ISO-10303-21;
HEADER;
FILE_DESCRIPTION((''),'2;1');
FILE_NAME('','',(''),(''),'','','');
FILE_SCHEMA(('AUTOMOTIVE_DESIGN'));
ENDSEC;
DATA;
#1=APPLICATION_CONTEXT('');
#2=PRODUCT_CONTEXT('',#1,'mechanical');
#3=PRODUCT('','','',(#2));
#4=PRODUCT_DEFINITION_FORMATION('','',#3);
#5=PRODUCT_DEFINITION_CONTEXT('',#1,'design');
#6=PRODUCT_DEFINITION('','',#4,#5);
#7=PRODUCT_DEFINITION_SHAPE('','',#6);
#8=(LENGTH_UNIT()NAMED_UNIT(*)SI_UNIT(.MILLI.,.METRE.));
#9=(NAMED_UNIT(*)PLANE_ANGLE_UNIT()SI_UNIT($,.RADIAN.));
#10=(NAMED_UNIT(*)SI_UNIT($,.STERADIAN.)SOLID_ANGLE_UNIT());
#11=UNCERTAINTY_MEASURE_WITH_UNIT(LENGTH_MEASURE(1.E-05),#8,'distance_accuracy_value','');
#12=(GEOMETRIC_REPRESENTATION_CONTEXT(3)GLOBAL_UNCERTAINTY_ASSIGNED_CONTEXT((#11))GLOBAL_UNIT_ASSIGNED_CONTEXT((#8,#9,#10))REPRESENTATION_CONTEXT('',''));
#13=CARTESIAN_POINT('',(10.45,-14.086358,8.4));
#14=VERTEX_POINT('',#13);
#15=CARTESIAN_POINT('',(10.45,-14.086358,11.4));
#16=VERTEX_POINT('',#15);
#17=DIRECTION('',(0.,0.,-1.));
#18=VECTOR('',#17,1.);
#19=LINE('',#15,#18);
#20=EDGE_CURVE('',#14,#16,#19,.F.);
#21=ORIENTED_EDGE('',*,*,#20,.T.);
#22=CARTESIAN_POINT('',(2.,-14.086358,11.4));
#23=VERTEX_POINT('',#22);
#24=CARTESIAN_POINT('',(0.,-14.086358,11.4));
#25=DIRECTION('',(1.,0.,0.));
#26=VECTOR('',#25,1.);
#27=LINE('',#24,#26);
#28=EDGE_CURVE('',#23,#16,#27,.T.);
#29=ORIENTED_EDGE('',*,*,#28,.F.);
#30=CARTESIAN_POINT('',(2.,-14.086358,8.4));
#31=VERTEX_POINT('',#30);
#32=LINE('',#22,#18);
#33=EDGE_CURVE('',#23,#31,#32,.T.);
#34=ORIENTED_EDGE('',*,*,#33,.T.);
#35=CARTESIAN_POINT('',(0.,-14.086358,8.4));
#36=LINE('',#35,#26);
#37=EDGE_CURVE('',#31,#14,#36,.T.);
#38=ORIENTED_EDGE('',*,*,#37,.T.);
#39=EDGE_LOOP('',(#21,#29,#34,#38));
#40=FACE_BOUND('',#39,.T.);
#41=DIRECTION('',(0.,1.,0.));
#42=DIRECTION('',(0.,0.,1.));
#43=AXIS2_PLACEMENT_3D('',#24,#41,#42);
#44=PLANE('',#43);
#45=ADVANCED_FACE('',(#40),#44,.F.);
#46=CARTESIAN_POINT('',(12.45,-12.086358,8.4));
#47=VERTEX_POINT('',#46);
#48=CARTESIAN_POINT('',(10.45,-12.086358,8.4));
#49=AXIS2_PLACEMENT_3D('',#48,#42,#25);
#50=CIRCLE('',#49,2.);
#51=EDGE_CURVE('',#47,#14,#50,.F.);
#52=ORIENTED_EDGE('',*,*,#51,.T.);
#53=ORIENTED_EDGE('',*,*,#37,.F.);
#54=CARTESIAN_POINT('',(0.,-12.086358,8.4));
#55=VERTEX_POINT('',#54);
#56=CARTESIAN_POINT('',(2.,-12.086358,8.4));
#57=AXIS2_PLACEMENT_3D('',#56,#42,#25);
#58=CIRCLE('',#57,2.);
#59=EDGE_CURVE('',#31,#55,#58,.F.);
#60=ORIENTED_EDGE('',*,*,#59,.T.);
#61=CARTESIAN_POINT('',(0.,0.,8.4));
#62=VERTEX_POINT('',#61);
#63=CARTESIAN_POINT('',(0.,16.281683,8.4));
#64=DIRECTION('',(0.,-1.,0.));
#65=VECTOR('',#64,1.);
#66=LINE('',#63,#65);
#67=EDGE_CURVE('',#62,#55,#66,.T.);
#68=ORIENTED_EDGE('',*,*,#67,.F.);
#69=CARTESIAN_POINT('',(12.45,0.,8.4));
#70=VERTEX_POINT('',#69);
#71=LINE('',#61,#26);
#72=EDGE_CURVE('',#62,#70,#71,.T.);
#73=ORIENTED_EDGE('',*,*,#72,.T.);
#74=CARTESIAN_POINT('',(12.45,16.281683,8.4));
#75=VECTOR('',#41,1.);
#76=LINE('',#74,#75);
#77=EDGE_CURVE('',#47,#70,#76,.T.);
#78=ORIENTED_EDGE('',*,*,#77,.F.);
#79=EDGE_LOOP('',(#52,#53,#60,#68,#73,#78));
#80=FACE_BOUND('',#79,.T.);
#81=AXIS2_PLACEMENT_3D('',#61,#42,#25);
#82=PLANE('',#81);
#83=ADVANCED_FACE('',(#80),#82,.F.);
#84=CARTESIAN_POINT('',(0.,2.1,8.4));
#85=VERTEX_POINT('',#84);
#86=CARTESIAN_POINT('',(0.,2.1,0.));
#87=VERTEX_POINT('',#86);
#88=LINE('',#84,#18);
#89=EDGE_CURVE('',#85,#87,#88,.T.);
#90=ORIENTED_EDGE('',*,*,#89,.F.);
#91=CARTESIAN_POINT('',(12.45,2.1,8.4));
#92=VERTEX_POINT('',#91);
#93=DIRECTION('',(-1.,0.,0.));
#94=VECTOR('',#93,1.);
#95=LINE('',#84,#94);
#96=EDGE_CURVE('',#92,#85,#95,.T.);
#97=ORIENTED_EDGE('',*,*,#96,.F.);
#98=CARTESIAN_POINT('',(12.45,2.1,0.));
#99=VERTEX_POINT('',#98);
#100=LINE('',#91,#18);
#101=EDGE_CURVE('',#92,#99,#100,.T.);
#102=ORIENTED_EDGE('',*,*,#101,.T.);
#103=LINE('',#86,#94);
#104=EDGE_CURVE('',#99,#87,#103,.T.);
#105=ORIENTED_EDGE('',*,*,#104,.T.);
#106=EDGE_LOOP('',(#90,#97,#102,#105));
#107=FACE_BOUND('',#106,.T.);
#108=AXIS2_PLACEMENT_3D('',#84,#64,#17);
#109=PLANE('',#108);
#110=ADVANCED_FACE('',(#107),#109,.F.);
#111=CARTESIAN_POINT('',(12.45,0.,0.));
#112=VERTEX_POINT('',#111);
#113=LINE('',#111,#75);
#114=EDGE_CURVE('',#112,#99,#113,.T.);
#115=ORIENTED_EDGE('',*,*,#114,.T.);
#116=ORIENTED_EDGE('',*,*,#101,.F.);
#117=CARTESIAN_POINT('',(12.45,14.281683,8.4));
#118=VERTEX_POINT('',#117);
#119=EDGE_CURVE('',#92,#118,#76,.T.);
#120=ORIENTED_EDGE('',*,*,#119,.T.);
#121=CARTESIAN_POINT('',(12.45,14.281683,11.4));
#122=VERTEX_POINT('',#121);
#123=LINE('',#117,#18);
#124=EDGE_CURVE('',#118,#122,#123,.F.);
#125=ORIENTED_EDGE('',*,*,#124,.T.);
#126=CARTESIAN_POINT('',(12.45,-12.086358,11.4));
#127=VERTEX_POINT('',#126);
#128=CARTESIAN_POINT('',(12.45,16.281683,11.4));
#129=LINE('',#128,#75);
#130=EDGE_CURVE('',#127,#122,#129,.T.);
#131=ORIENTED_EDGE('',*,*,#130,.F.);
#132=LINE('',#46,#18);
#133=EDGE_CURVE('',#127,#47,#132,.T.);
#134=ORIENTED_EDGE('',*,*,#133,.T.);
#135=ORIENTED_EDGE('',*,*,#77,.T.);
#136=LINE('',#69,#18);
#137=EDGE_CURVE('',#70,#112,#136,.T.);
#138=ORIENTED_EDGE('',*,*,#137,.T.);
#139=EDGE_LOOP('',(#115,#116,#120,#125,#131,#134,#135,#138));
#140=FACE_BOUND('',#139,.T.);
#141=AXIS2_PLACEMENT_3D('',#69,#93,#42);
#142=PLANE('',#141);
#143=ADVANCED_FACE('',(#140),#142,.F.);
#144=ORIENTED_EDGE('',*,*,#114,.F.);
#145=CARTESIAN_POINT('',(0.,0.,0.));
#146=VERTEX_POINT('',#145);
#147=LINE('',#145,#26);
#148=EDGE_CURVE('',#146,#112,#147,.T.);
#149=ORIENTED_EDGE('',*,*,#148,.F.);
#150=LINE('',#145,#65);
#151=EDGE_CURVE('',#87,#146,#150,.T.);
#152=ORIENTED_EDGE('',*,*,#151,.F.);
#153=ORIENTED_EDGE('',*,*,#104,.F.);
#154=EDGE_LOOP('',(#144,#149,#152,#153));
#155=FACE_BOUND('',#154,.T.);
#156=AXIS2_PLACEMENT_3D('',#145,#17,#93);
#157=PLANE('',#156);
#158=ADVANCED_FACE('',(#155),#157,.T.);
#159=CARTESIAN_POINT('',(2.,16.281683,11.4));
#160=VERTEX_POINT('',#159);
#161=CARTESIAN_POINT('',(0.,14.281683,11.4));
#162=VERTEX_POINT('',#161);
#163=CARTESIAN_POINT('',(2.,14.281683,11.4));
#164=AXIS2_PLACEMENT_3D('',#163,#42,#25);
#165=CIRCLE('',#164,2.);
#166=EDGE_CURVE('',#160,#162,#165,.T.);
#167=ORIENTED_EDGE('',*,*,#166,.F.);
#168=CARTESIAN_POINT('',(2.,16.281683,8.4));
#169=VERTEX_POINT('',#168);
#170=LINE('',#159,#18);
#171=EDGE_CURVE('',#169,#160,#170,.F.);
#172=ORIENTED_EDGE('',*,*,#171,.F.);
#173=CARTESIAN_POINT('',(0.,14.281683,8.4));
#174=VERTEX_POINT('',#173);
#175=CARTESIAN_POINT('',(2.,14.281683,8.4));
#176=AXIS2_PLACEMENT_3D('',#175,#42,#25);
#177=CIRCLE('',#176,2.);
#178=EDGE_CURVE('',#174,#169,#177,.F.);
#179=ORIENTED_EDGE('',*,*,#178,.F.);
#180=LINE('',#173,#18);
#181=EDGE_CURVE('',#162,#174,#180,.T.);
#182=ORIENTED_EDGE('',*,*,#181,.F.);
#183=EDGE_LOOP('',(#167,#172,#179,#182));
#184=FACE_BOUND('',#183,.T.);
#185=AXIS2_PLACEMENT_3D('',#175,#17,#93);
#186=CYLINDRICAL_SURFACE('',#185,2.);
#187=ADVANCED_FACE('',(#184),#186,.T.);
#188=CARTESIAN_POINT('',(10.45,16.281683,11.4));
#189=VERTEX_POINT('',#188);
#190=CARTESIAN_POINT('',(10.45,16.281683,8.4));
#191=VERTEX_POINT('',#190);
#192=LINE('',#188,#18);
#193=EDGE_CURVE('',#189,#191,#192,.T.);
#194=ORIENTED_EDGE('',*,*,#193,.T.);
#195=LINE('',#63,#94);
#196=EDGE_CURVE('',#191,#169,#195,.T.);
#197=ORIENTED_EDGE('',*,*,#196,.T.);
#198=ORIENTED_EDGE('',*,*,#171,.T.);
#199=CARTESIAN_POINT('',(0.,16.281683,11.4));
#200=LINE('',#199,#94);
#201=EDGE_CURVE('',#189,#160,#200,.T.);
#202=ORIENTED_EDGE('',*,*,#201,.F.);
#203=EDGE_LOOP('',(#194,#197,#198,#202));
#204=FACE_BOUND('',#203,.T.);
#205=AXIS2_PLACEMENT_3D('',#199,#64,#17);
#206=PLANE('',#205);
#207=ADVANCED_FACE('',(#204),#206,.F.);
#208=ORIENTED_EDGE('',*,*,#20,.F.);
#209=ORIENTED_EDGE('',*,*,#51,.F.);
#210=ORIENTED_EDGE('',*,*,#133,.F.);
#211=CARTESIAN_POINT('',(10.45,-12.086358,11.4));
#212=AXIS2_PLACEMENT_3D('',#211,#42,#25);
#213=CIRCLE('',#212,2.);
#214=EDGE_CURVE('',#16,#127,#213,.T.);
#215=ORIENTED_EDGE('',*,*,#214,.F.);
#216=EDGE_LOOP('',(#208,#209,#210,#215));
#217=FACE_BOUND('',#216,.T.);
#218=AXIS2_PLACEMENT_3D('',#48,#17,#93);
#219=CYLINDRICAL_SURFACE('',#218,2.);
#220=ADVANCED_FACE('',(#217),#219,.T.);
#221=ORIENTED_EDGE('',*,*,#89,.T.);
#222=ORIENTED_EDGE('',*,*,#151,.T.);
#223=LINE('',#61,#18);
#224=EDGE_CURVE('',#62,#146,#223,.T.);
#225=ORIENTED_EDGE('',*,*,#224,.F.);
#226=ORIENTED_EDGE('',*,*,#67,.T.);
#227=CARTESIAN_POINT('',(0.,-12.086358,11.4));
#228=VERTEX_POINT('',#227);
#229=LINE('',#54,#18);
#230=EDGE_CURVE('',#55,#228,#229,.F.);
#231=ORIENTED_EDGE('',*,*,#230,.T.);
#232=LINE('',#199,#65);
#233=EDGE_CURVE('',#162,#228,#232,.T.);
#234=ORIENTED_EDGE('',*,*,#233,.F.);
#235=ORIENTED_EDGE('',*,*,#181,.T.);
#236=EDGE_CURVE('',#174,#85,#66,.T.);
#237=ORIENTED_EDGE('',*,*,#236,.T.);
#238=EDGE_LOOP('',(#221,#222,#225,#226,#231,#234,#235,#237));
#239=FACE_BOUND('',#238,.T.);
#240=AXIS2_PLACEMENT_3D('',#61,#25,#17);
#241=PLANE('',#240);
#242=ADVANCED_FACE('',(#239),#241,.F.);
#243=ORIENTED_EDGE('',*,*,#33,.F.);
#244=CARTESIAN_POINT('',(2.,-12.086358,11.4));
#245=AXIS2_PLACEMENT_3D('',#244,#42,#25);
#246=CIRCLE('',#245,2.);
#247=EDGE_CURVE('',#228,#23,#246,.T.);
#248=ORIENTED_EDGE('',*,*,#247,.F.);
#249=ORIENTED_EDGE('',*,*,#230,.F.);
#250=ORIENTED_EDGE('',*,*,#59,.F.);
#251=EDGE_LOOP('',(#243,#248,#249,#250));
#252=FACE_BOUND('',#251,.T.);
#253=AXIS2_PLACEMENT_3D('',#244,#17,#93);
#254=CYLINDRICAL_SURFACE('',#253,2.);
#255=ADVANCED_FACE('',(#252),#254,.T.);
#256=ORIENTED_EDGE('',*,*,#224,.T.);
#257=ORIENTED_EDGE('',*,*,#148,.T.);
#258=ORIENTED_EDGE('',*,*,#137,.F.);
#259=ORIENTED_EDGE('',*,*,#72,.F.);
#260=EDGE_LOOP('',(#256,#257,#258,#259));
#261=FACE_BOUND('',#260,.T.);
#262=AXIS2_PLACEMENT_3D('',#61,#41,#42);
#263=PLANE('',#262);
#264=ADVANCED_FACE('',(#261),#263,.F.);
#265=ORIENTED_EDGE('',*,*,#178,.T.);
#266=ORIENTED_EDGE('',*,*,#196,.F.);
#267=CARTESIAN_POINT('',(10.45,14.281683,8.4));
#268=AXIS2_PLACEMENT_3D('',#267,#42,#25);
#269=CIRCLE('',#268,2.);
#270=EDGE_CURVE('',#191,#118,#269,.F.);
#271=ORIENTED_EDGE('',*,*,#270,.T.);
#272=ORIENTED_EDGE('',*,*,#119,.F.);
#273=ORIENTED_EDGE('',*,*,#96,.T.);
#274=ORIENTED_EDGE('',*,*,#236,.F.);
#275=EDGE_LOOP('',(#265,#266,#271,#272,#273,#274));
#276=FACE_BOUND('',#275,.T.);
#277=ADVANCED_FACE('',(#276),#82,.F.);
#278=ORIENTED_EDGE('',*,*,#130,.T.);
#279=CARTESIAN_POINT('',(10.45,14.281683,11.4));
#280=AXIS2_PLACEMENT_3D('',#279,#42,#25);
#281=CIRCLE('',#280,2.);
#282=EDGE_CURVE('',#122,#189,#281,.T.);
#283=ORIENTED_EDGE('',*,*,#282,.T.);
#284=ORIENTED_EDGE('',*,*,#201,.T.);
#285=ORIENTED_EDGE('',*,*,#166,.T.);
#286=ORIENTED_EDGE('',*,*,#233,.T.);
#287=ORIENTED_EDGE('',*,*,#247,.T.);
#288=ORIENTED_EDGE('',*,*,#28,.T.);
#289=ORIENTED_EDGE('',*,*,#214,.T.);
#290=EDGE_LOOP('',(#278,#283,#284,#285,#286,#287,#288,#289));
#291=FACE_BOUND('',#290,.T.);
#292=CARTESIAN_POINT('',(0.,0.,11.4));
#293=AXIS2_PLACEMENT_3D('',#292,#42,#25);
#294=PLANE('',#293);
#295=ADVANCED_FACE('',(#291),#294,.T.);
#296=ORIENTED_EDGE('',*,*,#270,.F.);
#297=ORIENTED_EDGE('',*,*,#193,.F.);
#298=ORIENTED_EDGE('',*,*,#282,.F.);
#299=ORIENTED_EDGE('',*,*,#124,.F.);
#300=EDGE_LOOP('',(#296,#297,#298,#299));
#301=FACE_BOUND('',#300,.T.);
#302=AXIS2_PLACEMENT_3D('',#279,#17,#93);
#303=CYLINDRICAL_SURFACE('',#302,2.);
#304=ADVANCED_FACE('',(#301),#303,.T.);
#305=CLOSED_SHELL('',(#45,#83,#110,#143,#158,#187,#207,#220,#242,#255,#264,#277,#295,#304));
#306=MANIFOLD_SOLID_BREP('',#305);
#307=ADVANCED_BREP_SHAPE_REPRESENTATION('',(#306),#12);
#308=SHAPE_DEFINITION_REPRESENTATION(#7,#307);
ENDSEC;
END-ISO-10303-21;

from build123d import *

# Parameters (mm, degrees)
ESQUISSE1_W        = 12.45
ESQUISSE1_H        = 2.1
BOSS_EXTRU_1_DEPTH = 8.4
ESQUISSE2_W        = 12.45
ESQUISSE2_H        = 30.368041495
BOSS_EXTRU_2_DEPTH = 3
CONG_1_R           = 2


with BuildPart() as part:
    # Esquisse1 → Boss.-Extru.1 (new body)
    with BuildSketch(Plane.XY):
        with Locations((6.225, 1.05)):
            Rectangle(ESQUISSE1_W, ESQUISSE1_H)
    extrude(amount=BOSS_EXTRU_1_DEPTH)

    # Esquisse2 → Boss.-Extru.2 (add)
    with BuildSketch(Plane.XY.offset(8.4)):
        with Locations((6.225, 1.097662534)):
            Rectangle(ESQUISSE2_W, ESQUISSE2_H)
    extrude(amount=BOSS_EXTRU_2_DEPTH)

    # Congé1
    cong_1_edges = [part.edges().sort_by_distance(p)[0] for p in [
        (12.45, -14.086358213, 9.9),
        (12.45, 16.281683282, 9.9),
        (0, 16.281683282, 9.9),
        (0, -14.086358213, 9.9),
    ]]
    fillet(cong_1_edges, radius=CONG_1_R)


solid = part.part
